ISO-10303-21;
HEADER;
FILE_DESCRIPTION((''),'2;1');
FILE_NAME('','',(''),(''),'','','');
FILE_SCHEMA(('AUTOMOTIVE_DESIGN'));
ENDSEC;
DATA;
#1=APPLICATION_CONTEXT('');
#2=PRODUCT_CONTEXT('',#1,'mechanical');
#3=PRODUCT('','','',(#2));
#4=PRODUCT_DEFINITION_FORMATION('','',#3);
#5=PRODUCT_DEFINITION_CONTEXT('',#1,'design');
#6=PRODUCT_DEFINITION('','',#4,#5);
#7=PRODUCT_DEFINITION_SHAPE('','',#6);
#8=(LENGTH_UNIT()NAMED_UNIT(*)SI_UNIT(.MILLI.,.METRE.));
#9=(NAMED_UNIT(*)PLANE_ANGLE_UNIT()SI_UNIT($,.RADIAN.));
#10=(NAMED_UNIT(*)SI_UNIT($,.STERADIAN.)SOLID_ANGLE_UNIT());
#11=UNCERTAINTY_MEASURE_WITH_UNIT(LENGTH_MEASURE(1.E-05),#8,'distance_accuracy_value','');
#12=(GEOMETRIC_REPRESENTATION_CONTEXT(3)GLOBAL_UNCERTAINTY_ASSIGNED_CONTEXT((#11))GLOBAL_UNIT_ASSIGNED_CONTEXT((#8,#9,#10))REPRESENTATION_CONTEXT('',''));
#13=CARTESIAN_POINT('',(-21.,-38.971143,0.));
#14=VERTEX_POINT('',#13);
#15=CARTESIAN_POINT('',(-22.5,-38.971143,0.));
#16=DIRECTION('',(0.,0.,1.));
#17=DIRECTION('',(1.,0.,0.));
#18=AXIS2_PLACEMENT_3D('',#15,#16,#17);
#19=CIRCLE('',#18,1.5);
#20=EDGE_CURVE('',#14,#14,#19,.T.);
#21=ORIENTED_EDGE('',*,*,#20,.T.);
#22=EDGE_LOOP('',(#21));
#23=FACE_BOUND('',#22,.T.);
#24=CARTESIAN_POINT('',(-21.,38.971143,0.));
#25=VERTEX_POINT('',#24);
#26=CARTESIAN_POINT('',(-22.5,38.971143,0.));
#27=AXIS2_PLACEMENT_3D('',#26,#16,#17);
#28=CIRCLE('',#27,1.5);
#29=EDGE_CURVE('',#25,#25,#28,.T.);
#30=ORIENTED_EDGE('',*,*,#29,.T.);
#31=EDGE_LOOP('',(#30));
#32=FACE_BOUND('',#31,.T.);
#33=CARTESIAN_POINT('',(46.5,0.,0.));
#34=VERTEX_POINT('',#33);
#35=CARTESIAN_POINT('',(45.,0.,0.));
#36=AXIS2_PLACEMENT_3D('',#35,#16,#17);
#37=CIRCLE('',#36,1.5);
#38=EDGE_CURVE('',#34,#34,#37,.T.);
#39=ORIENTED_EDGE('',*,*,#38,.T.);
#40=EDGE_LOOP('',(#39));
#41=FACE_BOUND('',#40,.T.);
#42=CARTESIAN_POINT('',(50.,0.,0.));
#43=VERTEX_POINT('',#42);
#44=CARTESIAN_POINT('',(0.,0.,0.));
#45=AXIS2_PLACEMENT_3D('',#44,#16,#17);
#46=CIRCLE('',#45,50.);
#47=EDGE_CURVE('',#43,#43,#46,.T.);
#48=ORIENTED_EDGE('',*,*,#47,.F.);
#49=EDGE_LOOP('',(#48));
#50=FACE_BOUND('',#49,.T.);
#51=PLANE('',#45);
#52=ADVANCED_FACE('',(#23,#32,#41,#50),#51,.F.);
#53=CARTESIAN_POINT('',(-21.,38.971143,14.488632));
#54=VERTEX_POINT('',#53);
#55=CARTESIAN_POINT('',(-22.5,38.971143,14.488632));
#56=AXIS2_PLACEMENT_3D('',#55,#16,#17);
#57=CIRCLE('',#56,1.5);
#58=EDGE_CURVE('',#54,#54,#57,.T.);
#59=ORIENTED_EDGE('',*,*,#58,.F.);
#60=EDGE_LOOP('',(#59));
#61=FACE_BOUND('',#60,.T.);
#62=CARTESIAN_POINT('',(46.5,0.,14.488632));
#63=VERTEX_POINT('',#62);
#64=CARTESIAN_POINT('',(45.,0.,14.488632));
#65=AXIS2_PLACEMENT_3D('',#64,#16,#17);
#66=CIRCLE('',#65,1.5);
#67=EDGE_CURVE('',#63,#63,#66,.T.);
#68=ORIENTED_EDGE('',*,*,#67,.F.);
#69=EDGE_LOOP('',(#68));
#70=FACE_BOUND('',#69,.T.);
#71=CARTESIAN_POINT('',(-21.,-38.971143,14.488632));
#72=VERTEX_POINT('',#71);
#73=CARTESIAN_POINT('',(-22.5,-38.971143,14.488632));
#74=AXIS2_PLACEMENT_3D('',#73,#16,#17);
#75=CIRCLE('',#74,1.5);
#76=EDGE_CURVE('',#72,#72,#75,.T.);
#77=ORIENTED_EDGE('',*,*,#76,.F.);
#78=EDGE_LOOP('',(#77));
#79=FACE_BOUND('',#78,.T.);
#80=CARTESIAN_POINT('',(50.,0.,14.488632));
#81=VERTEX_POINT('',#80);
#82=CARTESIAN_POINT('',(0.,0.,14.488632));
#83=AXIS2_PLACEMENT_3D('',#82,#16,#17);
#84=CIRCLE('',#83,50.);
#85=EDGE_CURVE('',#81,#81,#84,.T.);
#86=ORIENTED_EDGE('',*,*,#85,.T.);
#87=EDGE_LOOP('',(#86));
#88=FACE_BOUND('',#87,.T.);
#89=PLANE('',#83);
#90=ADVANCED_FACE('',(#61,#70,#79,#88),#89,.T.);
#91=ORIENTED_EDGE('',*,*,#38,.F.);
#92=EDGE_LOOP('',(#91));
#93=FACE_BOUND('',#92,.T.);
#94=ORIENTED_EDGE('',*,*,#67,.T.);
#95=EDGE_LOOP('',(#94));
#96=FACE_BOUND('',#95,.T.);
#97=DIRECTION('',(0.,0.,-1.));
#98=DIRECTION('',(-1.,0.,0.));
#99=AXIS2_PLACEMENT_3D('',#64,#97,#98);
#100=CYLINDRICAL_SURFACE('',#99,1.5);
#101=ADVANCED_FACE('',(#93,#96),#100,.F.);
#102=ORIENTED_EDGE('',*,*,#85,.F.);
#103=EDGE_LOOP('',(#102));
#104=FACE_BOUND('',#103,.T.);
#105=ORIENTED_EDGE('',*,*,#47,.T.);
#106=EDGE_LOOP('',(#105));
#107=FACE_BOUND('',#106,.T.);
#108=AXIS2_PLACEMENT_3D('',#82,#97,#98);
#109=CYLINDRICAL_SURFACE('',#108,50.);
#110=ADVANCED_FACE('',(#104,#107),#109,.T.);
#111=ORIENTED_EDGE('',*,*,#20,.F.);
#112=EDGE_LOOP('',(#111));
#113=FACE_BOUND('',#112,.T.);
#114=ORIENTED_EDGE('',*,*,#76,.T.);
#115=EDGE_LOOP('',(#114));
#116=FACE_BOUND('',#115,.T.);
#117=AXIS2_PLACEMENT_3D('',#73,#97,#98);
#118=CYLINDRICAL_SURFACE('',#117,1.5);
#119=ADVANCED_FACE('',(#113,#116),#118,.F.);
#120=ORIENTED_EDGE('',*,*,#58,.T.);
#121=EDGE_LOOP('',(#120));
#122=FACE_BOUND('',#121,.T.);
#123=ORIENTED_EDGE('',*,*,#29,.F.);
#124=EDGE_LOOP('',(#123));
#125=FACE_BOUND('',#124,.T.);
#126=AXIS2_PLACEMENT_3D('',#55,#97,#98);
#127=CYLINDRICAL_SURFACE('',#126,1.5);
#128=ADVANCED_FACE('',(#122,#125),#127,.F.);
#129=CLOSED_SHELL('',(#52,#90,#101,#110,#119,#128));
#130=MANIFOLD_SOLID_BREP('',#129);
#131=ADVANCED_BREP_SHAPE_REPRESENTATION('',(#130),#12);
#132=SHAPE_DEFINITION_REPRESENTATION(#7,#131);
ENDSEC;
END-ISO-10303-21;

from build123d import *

# Parameters (mm, degrees)
SKETCH2_R           = 50
SKETCH2_R_2         = 1.5
BOSS_EXTRUDE1_DEPTH = 14.488631768


with BuildPart() as part:
    # Sketch2 → Boss-Extrude1 (new body)
    with BuildSketch(Plane(origin=(0, 0, 0), x_dir=(0, 1, 0), z_dir=(0, 0, 1))):
        with Locations(Location((0, 0, 0), (0, 0, 270))):
            Circle(SKETCH2_R)
        with Locations(Location((-38.97114317, 22.5, 0), (0, 0, 270))):
            Circle(SKETCH2_R_2, mode=Mode.SUBTRACT)
        with Locations(Location((38.97114317, 22.5, 0), (0, 0, 270))):
            Circle(SKETCH2_R_2, mode=Mode.SUBTRACT)
        with Locations(Location((0, -45, 0), (0, 0, 270))):
            Circle(SKETCH2_R_2, mode=Mode.SUBTRACT)
    extrude(amount=BOSS_EXTRUDE1_DEPTH)


solid = part.part
